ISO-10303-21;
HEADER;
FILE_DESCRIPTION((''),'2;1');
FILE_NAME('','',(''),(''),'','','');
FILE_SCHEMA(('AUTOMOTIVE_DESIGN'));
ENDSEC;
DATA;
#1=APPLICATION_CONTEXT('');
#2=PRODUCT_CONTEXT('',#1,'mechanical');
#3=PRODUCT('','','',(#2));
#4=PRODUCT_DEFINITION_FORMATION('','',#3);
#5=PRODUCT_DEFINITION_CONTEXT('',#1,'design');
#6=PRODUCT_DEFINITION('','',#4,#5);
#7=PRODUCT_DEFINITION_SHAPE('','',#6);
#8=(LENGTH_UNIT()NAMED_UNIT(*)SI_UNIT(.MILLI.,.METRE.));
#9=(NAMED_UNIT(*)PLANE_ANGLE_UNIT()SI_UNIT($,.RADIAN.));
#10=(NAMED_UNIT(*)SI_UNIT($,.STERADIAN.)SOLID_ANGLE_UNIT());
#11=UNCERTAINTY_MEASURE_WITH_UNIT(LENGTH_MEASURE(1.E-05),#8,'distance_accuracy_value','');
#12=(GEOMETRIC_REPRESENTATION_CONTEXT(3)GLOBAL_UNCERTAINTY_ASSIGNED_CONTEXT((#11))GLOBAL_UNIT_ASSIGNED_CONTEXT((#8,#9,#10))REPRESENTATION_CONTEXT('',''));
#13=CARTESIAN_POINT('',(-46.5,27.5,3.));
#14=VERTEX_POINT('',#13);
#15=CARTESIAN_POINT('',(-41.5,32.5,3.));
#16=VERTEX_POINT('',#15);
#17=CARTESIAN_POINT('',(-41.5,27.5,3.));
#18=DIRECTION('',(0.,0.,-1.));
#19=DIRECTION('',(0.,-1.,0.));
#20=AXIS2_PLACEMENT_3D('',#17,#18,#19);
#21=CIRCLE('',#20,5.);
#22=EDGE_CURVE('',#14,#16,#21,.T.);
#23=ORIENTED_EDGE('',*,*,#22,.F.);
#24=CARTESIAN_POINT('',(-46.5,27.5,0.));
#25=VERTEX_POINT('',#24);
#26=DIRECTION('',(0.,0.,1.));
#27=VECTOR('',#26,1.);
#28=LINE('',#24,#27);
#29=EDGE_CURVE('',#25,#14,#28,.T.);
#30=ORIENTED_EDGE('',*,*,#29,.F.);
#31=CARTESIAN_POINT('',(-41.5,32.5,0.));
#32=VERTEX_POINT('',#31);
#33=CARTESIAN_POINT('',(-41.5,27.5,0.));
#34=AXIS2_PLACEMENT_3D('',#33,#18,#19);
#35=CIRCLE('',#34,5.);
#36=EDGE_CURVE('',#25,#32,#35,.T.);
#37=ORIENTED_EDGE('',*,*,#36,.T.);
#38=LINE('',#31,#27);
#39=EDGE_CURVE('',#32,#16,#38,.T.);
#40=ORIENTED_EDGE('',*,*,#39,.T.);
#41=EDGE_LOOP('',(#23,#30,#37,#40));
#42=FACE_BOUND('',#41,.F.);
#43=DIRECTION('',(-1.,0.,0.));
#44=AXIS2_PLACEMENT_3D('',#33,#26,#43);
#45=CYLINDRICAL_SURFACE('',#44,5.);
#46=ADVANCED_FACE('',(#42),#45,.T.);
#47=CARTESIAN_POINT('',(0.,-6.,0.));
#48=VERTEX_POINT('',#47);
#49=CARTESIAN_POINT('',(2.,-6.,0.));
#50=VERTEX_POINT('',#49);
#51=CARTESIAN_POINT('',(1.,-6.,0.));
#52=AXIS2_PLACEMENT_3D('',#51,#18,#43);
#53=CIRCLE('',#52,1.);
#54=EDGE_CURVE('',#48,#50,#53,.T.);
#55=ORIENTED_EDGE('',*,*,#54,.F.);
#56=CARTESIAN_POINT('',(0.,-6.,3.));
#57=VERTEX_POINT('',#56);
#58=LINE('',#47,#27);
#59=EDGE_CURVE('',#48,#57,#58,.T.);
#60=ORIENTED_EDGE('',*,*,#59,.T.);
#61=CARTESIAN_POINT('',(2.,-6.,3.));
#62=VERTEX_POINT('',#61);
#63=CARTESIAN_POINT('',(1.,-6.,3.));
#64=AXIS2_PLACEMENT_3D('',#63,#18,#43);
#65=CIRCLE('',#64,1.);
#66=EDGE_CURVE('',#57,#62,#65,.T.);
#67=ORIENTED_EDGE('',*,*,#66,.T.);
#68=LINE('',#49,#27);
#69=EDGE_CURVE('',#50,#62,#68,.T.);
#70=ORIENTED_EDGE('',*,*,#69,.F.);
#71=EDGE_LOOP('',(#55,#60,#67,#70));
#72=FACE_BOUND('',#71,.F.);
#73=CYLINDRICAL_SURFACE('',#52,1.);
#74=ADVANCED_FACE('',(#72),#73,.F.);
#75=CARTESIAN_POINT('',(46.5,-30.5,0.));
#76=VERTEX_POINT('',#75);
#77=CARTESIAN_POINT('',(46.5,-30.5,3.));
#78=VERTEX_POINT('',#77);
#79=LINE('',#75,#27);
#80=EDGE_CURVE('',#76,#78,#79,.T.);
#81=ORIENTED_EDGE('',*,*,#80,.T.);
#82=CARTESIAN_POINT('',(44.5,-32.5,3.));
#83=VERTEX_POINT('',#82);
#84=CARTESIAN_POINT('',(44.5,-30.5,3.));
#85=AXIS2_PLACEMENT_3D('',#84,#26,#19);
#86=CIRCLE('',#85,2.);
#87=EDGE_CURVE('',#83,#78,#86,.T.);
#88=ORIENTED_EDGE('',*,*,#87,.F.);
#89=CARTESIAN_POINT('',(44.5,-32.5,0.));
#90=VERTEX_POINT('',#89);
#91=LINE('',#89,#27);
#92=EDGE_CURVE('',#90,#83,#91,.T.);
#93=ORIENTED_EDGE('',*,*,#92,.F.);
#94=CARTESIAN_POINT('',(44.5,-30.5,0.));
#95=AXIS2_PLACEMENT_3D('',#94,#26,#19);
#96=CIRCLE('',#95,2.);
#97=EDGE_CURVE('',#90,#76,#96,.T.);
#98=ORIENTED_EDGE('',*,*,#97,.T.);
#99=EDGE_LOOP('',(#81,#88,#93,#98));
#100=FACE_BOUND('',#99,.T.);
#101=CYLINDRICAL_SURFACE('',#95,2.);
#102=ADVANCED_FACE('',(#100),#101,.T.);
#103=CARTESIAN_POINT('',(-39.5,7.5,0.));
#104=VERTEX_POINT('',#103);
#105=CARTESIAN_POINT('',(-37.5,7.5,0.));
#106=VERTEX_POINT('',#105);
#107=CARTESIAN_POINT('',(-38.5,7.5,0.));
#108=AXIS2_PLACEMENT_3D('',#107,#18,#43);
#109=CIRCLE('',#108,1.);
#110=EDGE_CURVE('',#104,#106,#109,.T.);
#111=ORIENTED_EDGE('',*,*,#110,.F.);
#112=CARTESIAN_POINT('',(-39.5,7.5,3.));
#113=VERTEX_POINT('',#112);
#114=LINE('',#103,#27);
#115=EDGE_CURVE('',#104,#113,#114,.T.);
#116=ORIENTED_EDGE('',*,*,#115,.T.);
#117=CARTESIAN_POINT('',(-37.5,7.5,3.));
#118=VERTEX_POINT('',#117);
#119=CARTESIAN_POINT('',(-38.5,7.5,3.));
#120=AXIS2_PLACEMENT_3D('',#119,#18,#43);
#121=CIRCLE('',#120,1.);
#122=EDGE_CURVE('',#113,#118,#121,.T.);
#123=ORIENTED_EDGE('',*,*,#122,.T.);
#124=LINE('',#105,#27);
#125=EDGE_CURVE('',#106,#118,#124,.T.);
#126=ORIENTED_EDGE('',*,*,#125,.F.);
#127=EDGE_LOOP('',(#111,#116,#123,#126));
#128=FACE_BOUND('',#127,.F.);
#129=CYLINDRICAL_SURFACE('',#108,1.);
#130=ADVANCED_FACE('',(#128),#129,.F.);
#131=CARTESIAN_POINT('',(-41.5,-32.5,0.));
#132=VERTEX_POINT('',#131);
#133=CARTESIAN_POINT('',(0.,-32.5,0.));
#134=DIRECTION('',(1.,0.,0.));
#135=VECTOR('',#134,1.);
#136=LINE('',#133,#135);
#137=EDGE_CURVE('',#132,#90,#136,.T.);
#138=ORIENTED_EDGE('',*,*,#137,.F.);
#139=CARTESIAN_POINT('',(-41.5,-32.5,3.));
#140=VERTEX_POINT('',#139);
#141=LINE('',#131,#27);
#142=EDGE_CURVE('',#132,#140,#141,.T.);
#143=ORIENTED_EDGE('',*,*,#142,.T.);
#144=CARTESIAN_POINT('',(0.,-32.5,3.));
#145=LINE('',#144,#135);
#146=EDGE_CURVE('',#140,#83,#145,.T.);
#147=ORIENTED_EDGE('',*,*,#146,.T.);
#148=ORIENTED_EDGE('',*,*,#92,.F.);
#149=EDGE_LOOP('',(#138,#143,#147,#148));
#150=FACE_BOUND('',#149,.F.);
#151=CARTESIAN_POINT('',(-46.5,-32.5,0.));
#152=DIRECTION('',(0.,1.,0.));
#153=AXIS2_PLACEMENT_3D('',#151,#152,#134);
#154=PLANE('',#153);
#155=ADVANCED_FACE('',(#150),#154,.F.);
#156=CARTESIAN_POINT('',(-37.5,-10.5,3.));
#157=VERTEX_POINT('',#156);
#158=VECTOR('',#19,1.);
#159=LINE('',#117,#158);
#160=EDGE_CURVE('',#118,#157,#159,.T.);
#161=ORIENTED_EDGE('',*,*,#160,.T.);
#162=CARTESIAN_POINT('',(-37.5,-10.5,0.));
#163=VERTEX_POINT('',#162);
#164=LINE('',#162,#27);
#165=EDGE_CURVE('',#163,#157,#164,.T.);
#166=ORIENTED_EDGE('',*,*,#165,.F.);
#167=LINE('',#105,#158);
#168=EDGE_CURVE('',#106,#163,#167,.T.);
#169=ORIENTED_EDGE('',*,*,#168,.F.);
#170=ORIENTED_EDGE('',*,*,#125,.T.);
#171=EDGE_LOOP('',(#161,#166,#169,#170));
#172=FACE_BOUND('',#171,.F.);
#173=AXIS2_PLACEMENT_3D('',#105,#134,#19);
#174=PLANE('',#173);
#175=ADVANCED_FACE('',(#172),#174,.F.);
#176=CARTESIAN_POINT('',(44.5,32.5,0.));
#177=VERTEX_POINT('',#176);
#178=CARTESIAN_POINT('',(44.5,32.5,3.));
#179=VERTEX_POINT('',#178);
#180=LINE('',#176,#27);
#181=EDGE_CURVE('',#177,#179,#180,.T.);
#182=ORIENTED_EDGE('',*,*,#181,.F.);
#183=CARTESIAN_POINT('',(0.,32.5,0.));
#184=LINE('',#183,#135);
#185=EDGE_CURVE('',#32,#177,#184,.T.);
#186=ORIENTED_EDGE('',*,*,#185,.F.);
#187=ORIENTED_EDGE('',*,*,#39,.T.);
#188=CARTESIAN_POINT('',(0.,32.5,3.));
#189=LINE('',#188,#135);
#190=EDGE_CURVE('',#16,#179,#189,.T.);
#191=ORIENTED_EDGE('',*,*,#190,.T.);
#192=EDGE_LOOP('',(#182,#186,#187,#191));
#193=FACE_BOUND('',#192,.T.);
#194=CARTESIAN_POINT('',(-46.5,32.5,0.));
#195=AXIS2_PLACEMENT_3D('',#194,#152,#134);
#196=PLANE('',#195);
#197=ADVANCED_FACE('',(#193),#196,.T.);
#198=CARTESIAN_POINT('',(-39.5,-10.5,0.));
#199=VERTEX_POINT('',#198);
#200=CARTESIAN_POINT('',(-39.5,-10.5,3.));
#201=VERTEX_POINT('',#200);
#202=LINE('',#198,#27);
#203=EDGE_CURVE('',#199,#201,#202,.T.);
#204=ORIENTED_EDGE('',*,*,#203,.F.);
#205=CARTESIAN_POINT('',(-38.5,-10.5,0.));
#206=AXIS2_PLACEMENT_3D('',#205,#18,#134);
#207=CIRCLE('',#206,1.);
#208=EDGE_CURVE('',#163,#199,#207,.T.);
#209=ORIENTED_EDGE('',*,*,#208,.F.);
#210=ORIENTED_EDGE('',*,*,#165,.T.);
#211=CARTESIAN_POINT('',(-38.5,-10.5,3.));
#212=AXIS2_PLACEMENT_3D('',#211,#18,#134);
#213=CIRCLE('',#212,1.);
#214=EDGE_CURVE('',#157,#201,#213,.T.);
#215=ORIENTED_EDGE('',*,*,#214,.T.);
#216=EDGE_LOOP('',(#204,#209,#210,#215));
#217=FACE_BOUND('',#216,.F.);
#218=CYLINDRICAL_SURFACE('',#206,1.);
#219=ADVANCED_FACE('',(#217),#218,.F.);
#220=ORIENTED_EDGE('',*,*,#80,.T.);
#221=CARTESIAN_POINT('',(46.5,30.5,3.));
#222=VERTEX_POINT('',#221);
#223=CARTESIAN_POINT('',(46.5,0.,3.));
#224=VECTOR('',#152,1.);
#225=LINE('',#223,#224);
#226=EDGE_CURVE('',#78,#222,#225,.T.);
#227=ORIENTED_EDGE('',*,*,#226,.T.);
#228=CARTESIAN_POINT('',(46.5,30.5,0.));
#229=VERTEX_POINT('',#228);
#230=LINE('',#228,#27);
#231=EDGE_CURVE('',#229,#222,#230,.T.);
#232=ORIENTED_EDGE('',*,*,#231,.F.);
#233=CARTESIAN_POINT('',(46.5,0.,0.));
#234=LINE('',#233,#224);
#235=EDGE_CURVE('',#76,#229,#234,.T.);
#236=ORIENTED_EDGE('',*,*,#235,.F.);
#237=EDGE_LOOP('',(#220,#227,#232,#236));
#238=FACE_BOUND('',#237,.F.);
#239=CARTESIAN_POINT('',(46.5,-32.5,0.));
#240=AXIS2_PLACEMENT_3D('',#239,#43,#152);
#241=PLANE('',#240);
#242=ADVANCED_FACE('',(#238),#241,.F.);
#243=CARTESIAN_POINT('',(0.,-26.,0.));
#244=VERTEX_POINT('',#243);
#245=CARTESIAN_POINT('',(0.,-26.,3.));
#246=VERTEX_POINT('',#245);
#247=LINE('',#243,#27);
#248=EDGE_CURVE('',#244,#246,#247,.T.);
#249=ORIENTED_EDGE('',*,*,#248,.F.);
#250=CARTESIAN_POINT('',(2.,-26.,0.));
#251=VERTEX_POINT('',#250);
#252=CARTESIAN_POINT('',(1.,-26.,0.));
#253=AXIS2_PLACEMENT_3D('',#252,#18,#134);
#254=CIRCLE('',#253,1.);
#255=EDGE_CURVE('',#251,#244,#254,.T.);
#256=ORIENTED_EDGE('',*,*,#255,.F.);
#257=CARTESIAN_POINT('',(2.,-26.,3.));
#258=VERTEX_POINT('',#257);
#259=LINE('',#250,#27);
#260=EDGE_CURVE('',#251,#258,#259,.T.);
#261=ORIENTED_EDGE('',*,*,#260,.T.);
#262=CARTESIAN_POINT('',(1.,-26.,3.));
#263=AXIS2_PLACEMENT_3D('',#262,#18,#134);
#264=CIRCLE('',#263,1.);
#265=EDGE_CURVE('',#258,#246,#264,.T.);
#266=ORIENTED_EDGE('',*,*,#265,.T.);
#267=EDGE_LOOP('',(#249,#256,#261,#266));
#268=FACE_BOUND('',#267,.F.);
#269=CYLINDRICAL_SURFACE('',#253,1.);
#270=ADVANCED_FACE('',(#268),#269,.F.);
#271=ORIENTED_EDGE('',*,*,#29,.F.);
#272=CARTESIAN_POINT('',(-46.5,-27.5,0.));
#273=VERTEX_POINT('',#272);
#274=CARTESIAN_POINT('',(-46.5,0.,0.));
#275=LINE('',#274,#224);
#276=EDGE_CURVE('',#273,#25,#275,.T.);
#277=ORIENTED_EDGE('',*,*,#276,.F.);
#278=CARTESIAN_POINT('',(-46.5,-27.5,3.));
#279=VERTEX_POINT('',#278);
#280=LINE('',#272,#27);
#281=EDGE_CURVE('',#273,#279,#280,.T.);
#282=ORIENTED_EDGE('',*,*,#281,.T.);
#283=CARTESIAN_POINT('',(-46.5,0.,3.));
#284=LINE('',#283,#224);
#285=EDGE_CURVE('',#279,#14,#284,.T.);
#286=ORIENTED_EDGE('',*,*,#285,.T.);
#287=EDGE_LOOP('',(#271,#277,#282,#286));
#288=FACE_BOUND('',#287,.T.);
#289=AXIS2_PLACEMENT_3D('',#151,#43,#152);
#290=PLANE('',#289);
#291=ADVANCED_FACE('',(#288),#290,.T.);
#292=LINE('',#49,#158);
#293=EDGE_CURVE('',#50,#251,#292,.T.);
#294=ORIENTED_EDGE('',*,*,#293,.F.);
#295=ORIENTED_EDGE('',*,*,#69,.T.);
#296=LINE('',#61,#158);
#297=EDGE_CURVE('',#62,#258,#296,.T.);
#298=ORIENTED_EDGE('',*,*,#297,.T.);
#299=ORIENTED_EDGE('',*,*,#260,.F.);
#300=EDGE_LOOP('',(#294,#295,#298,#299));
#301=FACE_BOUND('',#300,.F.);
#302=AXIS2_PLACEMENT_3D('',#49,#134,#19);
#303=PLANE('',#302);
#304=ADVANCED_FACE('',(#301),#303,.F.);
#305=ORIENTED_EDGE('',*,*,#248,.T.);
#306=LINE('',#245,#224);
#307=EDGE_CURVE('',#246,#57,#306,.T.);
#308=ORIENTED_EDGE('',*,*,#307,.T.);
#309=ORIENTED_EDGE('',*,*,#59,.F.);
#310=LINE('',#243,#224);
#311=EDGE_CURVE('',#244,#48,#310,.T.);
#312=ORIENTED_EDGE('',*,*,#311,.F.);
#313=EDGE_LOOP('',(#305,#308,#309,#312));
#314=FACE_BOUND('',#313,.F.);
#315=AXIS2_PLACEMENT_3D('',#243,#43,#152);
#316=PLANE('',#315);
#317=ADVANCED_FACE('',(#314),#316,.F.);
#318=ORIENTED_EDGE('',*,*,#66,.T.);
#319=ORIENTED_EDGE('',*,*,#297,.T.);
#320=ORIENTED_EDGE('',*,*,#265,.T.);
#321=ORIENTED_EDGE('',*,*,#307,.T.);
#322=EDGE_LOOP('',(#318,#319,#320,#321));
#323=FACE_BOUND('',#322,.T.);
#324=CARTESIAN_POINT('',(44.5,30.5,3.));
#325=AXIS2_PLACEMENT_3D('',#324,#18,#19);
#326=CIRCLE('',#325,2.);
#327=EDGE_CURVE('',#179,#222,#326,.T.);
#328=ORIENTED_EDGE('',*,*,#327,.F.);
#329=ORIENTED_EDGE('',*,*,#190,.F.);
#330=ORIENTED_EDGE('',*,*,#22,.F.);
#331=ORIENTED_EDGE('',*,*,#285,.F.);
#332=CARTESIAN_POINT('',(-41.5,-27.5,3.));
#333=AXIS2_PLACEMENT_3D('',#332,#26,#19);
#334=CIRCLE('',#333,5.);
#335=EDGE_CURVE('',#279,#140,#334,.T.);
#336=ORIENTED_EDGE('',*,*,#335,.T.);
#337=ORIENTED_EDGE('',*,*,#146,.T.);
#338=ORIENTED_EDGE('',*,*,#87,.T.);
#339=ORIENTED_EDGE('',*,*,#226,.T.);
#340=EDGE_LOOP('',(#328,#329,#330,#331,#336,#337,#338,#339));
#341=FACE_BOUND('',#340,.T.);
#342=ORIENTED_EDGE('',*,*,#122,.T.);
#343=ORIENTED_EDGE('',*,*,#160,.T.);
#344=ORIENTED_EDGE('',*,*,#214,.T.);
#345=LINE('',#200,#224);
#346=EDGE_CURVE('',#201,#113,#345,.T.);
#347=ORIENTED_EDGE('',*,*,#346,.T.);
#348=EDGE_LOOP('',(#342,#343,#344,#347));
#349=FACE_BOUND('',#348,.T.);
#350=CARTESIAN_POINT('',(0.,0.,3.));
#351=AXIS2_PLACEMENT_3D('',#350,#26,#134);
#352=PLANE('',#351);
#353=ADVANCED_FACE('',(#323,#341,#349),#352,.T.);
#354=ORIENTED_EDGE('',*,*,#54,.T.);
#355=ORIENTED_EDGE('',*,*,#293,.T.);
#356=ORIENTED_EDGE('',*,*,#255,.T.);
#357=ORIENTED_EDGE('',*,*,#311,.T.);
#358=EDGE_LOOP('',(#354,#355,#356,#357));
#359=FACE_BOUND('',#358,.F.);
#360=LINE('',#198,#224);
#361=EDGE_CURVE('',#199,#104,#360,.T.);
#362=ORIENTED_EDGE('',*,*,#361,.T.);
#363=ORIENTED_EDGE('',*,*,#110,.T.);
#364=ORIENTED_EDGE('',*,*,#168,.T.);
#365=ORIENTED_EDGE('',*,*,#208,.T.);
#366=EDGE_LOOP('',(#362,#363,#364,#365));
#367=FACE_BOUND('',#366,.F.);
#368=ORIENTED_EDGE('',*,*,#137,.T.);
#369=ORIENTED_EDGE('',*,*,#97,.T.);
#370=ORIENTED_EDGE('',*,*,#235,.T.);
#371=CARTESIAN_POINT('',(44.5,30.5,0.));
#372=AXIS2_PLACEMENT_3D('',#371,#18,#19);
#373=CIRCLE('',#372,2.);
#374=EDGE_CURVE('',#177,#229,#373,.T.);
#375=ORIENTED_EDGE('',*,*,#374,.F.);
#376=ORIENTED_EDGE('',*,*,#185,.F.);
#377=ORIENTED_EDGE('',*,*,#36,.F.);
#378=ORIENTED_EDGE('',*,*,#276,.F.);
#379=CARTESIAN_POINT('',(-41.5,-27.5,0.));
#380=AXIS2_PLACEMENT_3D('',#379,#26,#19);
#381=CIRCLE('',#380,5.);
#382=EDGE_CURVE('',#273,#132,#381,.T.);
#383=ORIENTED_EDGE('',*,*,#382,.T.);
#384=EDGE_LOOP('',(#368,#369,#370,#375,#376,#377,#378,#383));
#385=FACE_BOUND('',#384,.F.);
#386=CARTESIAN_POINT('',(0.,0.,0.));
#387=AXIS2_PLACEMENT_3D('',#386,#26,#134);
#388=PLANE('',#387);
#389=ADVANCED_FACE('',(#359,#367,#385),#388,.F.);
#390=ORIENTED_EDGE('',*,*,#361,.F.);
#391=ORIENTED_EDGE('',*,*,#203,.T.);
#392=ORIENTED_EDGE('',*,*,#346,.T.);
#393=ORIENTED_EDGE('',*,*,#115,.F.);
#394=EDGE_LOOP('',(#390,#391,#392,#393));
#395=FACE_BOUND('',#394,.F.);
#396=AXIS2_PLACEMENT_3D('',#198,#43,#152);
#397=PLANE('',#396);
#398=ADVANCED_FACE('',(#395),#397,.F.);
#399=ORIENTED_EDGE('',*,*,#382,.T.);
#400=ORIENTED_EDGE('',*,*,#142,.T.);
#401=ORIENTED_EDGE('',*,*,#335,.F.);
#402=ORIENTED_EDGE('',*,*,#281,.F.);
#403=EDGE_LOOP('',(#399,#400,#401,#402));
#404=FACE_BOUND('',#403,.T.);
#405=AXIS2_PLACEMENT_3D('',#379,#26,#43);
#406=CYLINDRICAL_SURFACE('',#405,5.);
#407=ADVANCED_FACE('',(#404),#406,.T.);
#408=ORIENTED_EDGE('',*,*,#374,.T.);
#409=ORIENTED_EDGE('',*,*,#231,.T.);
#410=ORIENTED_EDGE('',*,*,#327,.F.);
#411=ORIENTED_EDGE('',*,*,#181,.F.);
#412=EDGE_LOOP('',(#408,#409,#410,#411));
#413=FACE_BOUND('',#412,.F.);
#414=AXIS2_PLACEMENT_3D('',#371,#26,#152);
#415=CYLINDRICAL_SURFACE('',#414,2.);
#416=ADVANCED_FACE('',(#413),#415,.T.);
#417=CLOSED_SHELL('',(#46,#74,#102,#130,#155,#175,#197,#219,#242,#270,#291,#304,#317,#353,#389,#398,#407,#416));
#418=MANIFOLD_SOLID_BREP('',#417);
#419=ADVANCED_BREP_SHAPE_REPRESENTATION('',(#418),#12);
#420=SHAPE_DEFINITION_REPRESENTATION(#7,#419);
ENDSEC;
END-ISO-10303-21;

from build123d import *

# Parameters (mm, degrees)
F0_W     = 93
F0_H     = 65
F1_DEPTH = 3
F2_R     = 5
F3_R     = 2


with BuildPart() as f1:
    # F0 (on Top) → F1 (new body)
    with BuildSketch(Plane.XY):
        Rectangle(F0_W, F0_H)
        with BuildLine():
            Line((-39.5, -10.5), (-39.5, 7.5))
            ThreePointArc((-39.5, 7.5), (-38.5, 8.5), (-37.5, 7.5))
            Line((-37.5, 7.5), (-37.5, -10.5))
            ThreePointArc((-37.5, -10.5), (-38.5, -11.5), (-39.5, -10.5))
        make_face(mode=Mode.SUBTRACT)
        with BuildLine():
            Line((2, -6), (2, -26))
            ThreePointArc((2, -26), (1, -27), (0, -26))
            Line((0, -26), (0, -6))
            ThreePointArc((0, -6), (1, -5), (2, -6))
        make_face(mode=Mode.SUBTRACT)
    extrude(amount=F1_DEPTH)

    # F2
    f2_edges = [f1.edges().sort_by_distance(p)[0] for p in [
        (-46.5, 32.5, 1.5),
        (-46.5, -32.5, 1.5),
    ]]
    fillet(f2_edges, radius=F2_R)

    # F3
    f3_edges = [f1.edges().sort_by_distance(p)[0] for p in [
        (46.5, -32.5, 1.5),
        (46.5, 32.5, 1.5),
    ]]
    fillet(f3_edges, radius=F3_R)


solid = f1.part
